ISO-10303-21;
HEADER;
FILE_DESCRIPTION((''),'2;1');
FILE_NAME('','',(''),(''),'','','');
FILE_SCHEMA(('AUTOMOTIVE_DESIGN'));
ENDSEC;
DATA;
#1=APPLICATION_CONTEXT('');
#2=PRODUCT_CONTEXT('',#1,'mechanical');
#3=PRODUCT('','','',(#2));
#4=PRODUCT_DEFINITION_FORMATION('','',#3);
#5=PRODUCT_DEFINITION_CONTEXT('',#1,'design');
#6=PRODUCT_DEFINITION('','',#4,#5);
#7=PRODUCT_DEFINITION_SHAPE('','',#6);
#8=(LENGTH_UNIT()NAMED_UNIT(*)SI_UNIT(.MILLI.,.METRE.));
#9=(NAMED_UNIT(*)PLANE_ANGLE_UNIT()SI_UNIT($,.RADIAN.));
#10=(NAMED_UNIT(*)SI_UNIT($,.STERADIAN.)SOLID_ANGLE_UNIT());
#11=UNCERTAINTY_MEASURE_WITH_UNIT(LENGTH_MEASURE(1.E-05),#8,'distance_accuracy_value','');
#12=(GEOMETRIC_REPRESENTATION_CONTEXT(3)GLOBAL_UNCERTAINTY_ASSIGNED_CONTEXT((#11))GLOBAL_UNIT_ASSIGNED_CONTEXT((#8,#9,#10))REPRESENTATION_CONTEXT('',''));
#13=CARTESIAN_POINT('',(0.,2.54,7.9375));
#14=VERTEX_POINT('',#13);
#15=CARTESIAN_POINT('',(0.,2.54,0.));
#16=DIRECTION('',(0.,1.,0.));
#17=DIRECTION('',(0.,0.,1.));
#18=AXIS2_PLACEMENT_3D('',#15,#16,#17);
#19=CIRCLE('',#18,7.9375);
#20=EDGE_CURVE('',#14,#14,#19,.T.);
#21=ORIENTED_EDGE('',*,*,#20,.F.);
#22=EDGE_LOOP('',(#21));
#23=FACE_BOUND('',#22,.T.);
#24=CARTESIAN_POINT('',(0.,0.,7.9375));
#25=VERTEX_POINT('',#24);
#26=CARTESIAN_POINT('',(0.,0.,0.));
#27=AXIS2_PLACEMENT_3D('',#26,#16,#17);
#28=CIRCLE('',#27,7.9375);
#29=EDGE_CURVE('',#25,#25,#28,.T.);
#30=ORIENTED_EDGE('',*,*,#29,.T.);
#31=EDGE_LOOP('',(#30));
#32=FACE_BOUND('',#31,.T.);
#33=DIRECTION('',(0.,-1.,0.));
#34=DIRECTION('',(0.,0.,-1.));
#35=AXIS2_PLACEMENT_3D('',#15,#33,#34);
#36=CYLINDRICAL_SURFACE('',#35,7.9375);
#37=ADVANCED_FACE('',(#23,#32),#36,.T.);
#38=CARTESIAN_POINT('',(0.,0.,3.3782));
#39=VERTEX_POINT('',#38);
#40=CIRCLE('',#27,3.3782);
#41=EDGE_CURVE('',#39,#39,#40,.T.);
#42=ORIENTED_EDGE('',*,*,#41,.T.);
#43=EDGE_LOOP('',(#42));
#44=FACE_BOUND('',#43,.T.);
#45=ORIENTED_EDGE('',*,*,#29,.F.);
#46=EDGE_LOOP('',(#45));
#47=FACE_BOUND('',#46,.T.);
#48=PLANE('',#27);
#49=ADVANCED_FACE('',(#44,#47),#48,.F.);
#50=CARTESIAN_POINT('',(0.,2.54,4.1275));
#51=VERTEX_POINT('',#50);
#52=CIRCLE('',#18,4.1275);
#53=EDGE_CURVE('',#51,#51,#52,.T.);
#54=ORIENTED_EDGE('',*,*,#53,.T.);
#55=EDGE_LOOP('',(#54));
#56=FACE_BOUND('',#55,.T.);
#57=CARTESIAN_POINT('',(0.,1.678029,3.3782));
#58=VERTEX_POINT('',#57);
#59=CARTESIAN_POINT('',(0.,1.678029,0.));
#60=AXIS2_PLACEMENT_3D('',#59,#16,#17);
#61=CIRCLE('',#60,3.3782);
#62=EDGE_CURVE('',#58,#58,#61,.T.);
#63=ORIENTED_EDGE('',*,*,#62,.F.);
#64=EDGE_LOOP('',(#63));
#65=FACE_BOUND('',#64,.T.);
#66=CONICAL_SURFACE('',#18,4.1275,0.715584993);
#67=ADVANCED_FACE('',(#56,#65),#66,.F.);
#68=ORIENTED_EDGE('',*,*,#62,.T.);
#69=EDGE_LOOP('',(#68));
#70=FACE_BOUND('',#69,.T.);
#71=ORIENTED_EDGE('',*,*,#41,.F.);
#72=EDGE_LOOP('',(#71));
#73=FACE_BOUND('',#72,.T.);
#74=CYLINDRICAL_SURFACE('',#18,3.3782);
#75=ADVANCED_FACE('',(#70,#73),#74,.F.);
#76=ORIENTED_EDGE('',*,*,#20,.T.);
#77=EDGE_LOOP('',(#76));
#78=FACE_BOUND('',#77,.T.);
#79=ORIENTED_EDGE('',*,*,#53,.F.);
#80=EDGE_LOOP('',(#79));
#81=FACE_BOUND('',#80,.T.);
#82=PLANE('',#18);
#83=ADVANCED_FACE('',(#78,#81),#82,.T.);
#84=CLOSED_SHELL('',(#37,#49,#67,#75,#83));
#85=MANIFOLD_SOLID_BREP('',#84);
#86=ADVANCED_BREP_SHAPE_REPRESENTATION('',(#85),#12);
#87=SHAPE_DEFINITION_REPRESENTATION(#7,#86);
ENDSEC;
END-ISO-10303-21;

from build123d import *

# Parameters (mm, degrees)
SKETCH2_R           = 7.9375
BOSS_EXTRUDE1_DEPTH = 2.54


with BuildPart() as part:
    # Sketch2 → Boss-Extrude1 (new body)
    with BuildSketch(Plane(origin=(0, 0, 0), x_dir=(1, 0, 0), z_dir=(0, 1, 0))):
        Circle(SKETCH2_R)
    extrude(amount=BOSS_EXTRUDE1_DEPTH)

    # Sketch5 → CSK for #10 Flat Head Machine Screw (100)1 (revolve, cut)
    with BuildSketch(Plane(origin=(0, 2.54, 0), x_dir=(0, 0, 1), z_dir=(1, 0, 0))):
        Polygon((0, 0), (0, 2.54), (3.3782, 2.54), (3.3782, 0.861971048), (4.1275, 0), align=None)
    revolve(axis=Axis((0, 8.89, 0), (0, -1, 0)), mode=Mode.SUBTRACT)


solid = part.part
